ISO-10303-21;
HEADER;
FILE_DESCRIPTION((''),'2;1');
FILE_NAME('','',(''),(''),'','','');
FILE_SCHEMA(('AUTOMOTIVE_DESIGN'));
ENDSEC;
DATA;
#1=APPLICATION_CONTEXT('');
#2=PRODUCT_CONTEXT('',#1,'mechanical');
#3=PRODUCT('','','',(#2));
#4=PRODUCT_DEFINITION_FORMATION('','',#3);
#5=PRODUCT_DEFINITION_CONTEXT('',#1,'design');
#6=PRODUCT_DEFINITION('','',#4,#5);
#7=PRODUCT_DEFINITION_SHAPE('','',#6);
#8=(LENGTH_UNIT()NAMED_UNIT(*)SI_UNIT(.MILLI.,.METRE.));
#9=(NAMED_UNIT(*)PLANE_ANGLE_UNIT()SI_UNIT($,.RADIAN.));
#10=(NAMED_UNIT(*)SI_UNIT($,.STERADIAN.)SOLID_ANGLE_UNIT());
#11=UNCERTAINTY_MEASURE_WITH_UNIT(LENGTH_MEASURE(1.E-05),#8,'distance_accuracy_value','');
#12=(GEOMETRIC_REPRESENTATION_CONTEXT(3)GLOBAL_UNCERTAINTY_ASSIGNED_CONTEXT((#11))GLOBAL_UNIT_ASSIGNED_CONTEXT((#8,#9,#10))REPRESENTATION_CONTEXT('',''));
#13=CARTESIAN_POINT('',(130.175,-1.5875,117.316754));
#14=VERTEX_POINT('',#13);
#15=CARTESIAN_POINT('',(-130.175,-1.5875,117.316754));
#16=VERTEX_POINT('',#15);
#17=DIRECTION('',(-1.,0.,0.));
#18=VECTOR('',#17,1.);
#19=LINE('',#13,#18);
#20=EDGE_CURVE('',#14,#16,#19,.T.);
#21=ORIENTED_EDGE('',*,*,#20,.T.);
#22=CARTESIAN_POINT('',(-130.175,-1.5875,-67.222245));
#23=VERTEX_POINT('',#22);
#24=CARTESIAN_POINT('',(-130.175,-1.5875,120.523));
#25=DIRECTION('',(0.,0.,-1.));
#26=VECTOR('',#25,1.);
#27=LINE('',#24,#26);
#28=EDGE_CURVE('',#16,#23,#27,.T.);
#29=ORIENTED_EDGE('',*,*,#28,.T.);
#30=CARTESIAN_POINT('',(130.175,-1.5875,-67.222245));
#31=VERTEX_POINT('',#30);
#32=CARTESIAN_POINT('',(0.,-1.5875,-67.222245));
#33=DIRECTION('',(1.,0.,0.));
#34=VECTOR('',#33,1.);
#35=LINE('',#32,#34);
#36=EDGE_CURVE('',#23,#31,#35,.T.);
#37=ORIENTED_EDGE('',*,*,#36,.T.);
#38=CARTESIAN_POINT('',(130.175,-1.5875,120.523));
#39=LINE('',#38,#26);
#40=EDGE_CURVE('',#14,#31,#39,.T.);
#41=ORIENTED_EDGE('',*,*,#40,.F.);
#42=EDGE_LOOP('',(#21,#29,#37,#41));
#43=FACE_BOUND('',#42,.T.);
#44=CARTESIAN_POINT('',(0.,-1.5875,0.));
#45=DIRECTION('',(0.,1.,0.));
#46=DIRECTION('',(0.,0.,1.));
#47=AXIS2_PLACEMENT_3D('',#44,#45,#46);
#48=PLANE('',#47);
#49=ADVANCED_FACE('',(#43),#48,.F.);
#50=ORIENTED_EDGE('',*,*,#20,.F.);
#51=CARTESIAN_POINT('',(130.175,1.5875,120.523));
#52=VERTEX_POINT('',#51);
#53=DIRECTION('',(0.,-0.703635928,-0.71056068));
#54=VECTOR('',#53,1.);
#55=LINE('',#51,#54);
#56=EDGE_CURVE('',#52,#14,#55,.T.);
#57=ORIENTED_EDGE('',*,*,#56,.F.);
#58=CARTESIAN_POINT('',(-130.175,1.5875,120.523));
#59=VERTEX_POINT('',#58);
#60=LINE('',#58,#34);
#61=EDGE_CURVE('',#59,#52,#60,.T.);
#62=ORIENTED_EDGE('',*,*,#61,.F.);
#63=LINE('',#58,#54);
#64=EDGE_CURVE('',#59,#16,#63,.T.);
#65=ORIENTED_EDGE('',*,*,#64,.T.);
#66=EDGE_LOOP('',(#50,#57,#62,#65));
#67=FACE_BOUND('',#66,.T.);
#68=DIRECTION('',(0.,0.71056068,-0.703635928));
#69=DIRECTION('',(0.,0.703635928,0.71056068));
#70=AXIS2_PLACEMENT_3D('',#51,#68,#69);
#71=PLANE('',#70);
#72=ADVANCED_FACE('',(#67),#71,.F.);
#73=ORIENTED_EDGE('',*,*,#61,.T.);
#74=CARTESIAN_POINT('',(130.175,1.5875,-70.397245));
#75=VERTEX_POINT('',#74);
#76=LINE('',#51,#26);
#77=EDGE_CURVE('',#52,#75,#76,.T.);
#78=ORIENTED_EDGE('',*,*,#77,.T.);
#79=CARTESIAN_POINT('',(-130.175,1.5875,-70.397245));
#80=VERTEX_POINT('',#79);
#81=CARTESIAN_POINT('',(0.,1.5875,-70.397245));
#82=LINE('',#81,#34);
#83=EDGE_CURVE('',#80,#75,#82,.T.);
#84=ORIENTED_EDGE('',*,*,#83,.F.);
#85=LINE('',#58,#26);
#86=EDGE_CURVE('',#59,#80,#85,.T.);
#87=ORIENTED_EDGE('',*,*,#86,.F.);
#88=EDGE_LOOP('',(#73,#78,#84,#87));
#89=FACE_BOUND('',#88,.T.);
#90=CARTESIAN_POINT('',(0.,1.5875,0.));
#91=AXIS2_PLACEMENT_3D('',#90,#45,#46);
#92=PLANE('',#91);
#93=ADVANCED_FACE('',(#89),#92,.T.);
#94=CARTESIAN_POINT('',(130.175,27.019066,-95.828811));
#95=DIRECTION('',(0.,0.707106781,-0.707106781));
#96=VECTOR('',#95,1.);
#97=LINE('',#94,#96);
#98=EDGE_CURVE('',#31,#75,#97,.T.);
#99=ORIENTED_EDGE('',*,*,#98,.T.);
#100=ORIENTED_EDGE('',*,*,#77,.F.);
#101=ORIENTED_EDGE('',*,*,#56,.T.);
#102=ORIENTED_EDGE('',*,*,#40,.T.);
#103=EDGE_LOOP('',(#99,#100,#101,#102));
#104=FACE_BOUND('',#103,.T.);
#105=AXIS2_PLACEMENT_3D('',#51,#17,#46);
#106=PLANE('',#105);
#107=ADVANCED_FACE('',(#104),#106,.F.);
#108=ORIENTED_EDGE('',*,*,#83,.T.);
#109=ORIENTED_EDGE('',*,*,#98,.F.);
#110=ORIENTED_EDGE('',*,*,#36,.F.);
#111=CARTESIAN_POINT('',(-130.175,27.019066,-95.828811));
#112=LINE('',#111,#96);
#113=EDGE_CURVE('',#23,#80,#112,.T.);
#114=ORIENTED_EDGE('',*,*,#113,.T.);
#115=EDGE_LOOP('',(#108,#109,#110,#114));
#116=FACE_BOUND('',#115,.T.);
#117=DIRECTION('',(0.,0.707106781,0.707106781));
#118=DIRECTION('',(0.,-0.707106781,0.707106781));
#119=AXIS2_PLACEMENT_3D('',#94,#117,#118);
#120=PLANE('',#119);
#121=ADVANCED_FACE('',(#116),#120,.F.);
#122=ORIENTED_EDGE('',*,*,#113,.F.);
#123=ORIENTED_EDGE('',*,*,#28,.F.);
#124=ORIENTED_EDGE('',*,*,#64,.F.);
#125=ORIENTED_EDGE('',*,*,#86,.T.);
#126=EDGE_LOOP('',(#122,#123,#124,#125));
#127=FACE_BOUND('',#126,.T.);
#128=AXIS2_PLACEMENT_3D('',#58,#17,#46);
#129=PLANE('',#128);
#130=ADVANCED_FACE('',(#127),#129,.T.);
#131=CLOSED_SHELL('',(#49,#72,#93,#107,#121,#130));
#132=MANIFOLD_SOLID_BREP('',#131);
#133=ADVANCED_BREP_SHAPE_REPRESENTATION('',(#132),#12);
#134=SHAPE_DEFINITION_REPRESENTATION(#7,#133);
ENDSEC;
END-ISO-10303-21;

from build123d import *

# Parameters (mm, degrees)
SKETCH1_W           = 260.35
SKETCH1_H           = 241.046
BOSS_EXTRUDE1_DEPTH = 1.5875
CUT_EXTRUDE2_DEPTH  = 261.35
CUT_EXTRUDE3_DEPTH  = 261.35


with BuildPart() as part:
    # Sketch1 → Boss-Extrude1 (new body, symmetric)
    with BuildSketch(Plane(origin=(0, 0, 0), x_dir=(1, 0, 0), z_dir=(0, 1, 0))):
        Rectangle(SKETCH1_W, SKETCH1_H)
    extrude(amount=BOSS_EXTRUDE1_DEPTH, both=True)

    # Sketch3 → Cut-Extrude2 (cut, through all)
    with BuildSketch(Plane.ZY.offset(130.175)):
        Polygon((120.523, 1.5875), (117.316753604, -1.5875), (181.759591699, -66.664544845), (184.965838095, -63.489544845), align=None)
        Polygon((-120.523, 1.5875), (-115.936493069, -2.999006931), (-117.69089956, -4.753413422), (-122.277406491, -0.166906491), align=None)
    extrude(amount=-CUT_EXTRUDE2_DEPTH, mode=Mode.SUBTRACT)

    # Sketch4 → Cut-Extrude3 (cut, through all)
    with BuildSketch(Plane.ZY.offset(130.175)):
        Polygon((-95.828811288, 27.019066154), (-49.030213399, -19.779531735), (-139.395977622, -13.401975952), align=None)
    extrude(amount=-CUT_EXTRUDE3_DEPTH, mode=Mode.SUBTRACT)


solid = part.part
